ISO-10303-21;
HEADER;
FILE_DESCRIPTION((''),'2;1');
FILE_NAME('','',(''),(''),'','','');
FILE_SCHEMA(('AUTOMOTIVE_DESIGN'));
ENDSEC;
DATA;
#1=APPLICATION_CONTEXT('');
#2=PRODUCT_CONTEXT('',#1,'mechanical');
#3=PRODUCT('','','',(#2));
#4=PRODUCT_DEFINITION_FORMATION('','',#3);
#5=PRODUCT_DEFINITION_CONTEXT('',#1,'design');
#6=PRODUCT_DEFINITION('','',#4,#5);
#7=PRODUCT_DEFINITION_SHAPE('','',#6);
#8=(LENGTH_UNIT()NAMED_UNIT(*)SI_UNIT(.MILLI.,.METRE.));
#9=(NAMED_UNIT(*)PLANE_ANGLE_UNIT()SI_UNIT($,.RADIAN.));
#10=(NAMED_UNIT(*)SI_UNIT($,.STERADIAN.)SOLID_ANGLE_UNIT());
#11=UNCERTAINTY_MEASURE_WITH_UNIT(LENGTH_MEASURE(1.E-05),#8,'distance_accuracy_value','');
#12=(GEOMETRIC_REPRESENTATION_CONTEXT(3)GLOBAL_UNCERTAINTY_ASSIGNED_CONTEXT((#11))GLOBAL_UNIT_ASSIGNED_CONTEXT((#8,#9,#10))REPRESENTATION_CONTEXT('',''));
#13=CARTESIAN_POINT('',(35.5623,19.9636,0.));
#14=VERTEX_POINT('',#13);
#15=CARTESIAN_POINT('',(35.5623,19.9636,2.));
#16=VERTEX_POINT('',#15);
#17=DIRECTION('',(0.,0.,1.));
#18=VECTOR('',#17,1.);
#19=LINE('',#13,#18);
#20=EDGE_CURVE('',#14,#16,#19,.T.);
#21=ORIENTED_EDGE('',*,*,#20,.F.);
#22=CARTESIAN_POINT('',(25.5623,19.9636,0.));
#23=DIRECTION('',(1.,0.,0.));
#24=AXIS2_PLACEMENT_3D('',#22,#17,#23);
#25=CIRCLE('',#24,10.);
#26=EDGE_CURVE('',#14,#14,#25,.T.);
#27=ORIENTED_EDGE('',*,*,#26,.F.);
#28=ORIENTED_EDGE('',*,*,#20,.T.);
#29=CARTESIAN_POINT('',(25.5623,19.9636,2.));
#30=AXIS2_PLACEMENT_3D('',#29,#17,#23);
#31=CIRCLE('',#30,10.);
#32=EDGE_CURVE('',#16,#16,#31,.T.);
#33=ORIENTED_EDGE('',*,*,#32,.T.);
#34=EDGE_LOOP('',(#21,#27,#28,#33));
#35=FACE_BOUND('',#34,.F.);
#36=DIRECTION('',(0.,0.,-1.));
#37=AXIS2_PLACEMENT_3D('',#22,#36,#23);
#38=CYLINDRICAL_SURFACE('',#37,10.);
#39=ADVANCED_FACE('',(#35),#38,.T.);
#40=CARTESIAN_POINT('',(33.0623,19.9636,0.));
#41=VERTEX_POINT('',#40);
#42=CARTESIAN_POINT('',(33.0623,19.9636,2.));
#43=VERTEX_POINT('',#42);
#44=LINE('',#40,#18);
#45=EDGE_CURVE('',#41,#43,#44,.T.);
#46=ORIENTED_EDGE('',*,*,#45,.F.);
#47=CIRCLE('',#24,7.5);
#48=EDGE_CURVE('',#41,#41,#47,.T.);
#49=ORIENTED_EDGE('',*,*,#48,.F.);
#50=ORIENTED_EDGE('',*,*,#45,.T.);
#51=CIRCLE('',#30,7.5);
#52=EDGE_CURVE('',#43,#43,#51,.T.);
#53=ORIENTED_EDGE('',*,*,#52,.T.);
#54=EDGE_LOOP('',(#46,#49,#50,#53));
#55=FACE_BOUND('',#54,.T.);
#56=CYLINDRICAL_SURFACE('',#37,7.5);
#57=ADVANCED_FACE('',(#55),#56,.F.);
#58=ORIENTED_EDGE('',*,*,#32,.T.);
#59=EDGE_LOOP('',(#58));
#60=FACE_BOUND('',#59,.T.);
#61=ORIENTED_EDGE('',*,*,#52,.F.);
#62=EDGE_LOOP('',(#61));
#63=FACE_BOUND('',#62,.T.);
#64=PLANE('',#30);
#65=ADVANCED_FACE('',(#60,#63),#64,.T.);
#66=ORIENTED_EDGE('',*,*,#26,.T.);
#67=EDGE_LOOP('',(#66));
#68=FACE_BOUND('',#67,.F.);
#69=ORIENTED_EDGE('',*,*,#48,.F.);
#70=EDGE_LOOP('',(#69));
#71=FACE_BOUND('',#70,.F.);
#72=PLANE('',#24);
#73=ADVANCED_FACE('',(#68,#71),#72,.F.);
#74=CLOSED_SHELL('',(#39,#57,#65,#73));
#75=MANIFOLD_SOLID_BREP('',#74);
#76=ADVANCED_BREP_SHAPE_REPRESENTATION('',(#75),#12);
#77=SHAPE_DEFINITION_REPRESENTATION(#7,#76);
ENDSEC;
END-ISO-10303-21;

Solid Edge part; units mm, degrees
sketch "Sketch1" plane through (0, 0, 0) normal (0, 0, 1) x (1, 0, 0)
  circle A0 centre (25.5623, 19.9636) radius 7.5
  circle A1 centre (25.5623, 19.9636) radius 10
extrude "Protrusion1" add sketch "Sketch1" along normal blind 2
